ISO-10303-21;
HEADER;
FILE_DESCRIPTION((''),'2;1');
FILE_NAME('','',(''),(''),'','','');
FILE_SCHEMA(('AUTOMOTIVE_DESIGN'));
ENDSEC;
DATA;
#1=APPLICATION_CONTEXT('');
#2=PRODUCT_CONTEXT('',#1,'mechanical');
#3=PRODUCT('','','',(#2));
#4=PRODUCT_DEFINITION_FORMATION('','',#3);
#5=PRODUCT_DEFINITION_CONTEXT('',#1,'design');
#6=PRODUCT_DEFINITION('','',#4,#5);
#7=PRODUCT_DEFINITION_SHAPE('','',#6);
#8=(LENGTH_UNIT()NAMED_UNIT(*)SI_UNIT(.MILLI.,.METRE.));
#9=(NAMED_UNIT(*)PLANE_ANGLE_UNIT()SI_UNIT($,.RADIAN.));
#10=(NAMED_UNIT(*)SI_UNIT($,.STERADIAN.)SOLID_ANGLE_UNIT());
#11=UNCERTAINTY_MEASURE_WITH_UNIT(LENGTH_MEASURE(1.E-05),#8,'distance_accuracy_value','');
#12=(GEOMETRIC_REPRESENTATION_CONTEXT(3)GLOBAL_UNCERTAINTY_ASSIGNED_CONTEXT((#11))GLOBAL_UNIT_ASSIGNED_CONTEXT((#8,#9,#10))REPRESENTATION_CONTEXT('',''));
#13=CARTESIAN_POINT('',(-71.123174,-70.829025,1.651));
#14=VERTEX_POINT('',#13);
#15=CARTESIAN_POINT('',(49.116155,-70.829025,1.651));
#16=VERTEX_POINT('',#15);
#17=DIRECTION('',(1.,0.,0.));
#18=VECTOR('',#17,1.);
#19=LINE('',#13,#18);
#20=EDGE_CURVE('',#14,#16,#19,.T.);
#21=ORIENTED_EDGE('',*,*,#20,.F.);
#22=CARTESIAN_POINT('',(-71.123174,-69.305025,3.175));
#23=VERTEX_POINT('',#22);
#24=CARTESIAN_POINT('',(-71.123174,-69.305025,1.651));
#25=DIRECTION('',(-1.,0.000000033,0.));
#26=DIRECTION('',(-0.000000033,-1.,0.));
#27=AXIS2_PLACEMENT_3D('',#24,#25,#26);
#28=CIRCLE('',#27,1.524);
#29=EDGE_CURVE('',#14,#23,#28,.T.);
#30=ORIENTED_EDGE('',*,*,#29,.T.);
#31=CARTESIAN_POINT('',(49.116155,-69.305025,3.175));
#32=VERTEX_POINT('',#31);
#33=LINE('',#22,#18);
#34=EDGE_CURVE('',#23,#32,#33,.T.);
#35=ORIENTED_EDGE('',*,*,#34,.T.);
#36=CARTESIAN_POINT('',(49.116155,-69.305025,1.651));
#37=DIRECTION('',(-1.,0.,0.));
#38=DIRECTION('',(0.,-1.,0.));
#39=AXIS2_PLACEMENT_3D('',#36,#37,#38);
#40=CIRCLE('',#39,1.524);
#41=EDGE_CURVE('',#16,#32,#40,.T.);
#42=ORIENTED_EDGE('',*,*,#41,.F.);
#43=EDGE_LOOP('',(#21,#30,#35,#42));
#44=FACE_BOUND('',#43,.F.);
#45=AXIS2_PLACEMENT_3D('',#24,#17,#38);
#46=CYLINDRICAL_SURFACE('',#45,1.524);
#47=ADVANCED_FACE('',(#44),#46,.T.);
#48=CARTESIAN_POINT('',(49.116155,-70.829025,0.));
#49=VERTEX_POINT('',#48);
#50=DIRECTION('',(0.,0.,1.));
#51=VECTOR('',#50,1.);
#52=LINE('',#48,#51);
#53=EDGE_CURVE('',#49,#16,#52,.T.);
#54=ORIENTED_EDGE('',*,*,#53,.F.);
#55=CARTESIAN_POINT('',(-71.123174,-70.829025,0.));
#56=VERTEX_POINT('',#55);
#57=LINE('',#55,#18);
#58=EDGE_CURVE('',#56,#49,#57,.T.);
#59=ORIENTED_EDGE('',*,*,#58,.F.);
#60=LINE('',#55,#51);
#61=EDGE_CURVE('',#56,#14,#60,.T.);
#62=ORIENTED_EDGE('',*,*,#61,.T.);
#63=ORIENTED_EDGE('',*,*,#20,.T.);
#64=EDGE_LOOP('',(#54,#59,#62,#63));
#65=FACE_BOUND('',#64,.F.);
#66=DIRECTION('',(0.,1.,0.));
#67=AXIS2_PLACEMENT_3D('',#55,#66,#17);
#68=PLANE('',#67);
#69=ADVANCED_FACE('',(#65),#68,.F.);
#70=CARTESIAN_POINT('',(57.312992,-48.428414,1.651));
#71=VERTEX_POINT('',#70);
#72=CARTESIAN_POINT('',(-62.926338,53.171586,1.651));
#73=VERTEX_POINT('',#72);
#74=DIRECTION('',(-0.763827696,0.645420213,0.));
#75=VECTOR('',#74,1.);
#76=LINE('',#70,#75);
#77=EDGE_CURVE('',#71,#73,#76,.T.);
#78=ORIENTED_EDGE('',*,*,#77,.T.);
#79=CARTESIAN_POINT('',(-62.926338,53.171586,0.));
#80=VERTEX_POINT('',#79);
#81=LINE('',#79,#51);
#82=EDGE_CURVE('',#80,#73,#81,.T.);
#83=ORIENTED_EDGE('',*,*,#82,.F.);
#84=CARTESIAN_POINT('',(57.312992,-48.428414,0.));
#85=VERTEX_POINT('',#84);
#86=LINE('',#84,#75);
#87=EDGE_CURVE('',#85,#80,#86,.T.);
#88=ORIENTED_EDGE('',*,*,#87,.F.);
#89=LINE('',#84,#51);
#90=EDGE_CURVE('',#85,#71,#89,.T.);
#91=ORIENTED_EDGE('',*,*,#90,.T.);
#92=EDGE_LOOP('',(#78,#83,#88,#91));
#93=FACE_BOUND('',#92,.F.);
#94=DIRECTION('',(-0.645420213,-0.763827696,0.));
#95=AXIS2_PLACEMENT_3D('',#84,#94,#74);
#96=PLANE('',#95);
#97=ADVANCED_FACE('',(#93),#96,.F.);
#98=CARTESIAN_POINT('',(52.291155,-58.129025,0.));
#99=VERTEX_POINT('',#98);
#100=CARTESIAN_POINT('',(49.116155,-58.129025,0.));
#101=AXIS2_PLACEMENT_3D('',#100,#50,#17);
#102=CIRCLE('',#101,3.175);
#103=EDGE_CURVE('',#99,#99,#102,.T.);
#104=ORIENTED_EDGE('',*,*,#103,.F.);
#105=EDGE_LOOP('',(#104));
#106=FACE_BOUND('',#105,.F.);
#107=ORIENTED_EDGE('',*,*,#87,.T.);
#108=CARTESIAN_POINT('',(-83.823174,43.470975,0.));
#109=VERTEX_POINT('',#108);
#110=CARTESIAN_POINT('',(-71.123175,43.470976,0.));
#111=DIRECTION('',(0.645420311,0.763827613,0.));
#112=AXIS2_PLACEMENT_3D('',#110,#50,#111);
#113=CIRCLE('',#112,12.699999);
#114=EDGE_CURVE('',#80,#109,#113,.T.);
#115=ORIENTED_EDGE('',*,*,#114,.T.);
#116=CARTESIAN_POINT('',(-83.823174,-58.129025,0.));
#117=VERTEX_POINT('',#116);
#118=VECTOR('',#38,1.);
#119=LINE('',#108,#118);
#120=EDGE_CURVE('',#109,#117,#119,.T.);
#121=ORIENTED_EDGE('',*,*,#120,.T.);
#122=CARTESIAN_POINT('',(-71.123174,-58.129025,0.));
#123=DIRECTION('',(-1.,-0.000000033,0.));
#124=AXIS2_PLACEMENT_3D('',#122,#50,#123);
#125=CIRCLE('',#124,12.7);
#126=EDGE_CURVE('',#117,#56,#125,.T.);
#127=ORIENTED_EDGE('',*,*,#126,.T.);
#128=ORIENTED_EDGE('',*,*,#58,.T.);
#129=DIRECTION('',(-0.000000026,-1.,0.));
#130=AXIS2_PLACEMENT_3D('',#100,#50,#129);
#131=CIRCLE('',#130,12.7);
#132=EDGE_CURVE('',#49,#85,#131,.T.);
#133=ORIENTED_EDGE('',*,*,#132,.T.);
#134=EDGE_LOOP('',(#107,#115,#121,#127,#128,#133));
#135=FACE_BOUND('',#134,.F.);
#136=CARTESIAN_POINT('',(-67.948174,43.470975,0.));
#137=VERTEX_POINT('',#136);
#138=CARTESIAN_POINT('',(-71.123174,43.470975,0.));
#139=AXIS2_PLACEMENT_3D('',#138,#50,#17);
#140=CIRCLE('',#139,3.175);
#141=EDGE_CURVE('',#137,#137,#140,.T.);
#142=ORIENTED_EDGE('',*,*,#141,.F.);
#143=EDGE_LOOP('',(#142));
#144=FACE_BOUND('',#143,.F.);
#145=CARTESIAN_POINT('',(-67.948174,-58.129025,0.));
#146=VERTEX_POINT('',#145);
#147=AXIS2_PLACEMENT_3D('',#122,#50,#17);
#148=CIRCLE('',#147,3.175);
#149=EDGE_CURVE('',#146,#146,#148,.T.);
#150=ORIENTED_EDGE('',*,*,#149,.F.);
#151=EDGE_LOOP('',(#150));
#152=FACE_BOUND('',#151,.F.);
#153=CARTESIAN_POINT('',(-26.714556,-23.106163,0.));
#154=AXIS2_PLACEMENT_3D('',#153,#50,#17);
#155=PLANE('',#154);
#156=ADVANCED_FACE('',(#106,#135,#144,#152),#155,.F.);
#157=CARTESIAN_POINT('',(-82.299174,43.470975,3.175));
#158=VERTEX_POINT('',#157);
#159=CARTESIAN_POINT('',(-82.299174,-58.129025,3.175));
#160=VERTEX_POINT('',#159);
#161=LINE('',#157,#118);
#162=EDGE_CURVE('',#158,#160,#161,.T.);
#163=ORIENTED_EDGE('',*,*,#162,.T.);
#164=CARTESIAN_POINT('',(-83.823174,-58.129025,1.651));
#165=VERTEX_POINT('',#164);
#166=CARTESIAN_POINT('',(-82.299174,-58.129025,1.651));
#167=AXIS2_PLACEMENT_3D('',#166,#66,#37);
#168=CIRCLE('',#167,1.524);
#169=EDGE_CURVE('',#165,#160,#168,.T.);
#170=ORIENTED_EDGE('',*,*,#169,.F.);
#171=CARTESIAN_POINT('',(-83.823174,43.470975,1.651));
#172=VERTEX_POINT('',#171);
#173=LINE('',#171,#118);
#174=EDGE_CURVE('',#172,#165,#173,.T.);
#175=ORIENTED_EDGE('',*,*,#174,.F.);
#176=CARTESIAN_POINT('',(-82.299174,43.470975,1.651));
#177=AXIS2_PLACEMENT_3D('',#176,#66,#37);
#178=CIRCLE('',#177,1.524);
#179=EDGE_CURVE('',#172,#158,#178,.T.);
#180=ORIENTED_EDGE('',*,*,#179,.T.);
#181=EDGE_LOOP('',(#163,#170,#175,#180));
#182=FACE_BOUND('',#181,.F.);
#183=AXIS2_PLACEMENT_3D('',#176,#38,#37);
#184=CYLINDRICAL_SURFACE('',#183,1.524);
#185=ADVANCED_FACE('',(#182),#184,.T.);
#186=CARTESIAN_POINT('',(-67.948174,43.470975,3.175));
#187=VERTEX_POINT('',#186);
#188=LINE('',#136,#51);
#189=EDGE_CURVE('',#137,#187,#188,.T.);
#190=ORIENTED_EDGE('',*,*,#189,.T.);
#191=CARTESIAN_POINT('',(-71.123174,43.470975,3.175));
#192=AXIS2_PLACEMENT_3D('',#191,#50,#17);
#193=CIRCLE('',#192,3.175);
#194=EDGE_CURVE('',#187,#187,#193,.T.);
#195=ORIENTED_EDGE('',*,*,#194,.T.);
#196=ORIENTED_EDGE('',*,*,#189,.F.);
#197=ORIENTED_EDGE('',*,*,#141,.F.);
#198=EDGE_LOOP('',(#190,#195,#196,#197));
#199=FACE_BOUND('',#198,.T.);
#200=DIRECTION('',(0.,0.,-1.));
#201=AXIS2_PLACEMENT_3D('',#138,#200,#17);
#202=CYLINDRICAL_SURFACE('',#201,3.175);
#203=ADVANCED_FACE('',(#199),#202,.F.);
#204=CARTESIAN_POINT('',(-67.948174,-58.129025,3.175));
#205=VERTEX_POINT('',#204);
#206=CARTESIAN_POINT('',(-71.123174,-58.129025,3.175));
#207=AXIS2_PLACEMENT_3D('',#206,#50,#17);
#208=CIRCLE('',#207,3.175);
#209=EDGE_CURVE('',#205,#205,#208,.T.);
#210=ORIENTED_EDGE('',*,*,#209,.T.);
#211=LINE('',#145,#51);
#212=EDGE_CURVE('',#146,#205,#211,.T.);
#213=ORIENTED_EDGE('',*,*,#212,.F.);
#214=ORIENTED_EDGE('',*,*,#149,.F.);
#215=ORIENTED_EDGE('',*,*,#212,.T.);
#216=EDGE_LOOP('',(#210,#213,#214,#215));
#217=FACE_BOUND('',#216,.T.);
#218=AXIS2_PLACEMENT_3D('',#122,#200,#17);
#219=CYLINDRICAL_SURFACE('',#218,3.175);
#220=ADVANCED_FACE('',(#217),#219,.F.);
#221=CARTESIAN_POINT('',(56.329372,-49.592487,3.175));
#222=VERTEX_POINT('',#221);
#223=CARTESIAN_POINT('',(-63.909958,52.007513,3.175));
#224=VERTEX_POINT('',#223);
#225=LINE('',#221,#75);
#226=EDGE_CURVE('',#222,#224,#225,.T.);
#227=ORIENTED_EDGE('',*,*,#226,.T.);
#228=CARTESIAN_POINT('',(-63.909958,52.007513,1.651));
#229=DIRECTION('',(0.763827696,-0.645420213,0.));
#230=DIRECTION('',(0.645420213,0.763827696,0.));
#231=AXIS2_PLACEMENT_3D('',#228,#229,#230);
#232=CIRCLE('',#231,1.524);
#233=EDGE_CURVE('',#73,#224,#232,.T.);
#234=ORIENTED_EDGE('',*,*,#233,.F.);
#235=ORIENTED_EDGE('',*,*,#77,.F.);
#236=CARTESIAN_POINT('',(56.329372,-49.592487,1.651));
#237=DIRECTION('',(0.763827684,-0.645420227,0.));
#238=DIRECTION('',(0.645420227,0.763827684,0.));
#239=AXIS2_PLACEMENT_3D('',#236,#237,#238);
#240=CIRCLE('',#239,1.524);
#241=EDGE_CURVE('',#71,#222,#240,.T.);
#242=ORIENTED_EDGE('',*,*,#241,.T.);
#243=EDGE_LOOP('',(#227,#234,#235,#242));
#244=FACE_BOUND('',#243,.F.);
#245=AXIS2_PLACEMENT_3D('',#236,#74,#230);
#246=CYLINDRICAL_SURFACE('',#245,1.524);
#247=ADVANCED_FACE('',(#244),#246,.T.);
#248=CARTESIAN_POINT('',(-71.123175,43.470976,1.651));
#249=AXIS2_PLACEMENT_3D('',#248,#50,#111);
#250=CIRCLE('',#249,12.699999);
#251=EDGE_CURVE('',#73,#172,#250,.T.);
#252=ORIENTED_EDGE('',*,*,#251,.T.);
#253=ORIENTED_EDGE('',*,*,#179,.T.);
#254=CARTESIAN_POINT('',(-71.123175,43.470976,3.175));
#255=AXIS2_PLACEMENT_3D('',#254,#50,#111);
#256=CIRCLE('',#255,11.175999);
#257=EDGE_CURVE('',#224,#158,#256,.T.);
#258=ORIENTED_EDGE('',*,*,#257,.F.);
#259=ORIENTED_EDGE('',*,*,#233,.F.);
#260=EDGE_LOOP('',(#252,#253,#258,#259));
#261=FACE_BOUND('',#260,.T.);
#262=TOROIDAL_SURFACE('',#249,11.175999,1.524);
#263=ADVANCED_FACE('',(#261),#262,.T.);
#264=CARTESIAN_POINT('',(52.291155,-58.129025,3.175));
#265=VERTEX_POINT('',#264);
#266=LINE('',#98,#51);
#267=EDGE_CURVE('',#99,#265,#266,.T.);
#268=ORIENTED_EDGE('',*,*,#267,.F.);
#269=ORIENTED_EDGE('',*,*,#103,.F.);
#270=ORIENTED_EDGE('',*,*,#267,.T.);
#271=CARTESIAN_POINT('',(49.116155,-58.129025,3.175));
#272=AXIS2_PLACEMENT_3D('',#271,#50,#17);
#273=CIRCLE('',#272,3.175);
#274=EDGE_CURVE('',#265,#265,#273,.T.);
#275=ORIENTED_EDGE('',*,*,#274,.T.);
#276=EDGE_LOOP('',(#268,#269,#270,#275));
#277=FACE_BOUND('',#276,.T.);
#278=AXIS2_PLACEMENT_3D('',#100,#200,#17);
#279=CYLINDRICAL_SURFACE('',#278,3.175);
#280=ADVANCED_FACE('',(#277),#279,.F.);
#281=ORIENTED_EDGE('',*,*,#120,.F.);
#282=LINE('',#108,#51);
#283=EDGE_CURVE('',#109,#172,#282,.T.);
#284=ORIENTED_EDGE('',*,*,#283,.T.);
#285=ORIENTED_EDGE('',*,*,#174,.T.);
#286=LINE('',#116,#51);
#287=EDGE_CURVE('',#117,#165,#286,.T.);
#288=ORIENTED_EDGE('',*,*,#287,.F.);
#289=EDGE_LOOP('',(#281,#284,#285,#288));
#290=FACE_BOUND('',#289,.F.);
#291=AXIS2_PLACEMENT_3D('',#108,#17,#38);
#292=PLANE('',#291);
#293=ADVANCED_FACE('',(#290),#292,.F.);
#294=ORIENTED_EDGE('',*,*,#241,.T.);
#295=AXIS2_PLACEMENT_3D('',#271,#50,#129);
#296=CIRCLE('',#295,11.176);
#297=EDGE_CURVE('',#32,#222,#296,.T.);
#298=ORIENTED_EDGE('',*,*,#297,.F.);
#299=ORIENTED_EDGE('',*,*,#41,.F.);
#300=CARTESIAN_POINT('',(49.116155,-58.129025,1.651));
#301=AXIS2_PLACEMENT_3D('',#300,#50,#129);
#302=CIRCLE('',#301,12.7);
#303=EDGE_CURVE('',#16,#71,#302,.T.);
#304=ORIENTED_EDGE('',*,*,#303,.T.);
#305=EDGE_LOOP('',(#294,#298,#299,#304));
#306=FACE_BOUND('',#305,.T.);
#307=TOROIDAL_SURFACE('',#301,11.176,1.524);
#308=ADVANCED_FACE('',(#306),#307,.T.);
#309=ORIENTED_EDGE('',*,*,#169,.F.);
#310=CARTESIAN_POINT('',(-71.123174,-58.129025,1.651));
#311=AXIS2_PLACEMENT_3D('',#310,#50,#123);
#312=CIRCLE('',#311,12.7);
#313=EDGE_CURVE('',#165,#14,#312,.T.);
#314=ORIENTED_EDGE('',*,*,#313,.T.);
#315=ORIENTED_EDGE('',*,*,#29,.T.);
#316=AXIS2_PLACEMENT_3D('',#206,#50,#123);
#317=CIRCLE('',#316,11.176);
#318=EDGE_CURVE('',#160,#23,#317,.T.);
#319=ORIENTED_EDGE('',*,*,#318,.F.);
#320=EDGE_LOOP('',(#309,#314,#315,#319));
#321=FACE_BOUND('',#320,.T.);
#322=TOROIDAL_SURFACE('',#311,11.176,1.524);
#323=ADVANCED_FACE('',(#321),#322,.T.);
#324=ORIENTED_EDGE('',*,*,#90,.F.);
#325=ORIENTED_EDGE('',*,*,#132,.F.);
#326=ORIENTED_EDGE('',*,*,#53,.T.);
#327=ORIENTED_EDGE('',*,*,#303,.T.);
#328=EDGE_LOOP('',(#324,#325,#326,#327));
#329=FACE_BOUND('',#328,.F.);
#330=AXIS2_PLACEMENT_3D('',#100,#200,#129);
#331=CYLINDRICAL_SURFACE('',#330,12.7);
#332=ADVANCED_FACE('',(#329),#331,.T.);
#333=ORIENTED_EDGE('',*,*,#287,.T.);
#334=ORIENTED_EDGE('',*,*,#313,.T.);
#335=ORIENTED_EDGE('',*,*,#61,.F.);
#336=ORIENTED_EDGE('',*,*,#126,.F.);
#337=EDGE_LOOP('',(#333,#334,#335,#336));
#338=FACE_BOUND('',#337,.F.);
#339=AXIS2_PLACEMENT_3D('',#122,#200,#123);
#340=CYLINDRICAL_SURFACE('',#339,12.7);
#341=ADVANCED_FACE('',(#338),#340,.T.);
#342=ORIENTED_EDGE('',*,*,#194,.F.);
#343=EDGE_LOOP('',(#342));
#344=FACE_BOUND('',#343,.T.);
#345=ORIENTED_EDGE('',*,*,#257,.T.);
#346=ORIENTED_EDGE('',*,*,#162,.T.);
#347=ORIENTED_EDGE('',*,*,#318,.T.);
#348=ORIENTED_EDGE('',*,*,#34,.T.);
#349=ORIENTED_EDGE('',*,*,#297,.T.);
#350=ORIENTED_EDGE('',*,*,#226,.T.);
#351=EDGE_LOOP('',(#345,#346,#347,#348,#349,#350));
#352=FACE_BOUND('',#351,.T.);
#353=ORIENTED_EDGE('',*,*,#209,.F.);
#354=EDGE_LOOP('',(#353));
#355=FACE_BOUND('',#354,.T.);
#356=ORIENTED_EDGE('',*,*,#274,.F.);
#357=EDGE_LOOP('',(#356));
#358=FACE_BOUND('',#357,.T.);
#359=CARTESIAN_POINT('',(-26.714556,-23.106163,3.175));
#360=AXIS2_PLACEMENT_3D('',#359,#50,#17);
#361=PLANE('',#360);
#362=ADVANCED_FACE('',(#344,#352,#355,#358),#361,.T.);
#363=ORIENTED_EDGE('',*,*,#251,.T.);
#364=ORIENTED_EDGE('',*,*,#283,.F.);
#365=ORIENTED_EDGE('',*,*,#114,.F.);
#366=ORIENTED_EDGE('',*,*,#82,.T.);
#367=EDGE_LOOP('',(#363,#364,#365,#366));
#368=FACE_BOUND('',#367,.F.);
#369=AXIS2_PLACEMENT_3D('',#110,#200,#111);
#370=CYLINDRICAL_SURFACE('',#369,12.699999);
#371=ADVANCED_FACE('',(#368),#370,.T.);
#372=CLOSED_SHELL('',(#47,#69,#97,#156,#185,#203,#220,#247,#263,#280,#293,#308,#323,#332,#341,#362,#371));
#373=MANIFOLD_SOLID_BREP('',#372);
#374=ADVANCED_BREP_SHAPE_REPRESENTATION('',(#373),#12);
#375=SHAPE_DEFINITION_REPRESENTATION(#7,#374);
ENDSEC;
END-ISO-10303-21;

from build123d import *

# Parameters (mm, degrees)
F0_R     = 3.175
F1_DEPTH = 3.175
F2_R     = 1.524


with BuildPart() as f1:
    # F0 (on Top) → F1 (new body)
    with BuildSketch(Plane.XY):
        with BuildLine():
            Line((-71.123174, -70.829025), (49.116155, -70.829025))
            ThreePointArc((49.116155, -70.829025), (61.042759, -62.493211), (57.312992, -48.428414))
            Line((57.312992, -48.428414), (-62.926338, 53.171586))
            ThreePointArc((-62.926338, 53.171586), (-76.470612, 54.990303), (-83.823174, 43.470975))
            Line((-83.823174, 43.470975), (-83.823174, -58.129025))
            ThreePointArc((-83.823174, -58.129025), (-80.10343, -67.109281), (-71.123174, -70.829025))
        make_face()
        with Locations((-71.123174, -58.129025)):
            Circle(F0_R, mode=Mode.SUBTRACT)
        with Locations((49.116155, -58.129025)):
            Circle(F0_R, mode=Mode.SUBTRACT)
        with Locations((-71.123174, 43.470975)):
            Circle(F0_R, mode=Mode.SUBTRACT)
    extrude(amount=F1_DEPTH)

    # F2
    f2_edges = [f1.edges().sort_by_distance(p)[0] for p in [
        (-83.823174, -7.329025, 3.175),
    ]]
    fillet(f2_edges, radius=F2_R)


solid = f1.part
